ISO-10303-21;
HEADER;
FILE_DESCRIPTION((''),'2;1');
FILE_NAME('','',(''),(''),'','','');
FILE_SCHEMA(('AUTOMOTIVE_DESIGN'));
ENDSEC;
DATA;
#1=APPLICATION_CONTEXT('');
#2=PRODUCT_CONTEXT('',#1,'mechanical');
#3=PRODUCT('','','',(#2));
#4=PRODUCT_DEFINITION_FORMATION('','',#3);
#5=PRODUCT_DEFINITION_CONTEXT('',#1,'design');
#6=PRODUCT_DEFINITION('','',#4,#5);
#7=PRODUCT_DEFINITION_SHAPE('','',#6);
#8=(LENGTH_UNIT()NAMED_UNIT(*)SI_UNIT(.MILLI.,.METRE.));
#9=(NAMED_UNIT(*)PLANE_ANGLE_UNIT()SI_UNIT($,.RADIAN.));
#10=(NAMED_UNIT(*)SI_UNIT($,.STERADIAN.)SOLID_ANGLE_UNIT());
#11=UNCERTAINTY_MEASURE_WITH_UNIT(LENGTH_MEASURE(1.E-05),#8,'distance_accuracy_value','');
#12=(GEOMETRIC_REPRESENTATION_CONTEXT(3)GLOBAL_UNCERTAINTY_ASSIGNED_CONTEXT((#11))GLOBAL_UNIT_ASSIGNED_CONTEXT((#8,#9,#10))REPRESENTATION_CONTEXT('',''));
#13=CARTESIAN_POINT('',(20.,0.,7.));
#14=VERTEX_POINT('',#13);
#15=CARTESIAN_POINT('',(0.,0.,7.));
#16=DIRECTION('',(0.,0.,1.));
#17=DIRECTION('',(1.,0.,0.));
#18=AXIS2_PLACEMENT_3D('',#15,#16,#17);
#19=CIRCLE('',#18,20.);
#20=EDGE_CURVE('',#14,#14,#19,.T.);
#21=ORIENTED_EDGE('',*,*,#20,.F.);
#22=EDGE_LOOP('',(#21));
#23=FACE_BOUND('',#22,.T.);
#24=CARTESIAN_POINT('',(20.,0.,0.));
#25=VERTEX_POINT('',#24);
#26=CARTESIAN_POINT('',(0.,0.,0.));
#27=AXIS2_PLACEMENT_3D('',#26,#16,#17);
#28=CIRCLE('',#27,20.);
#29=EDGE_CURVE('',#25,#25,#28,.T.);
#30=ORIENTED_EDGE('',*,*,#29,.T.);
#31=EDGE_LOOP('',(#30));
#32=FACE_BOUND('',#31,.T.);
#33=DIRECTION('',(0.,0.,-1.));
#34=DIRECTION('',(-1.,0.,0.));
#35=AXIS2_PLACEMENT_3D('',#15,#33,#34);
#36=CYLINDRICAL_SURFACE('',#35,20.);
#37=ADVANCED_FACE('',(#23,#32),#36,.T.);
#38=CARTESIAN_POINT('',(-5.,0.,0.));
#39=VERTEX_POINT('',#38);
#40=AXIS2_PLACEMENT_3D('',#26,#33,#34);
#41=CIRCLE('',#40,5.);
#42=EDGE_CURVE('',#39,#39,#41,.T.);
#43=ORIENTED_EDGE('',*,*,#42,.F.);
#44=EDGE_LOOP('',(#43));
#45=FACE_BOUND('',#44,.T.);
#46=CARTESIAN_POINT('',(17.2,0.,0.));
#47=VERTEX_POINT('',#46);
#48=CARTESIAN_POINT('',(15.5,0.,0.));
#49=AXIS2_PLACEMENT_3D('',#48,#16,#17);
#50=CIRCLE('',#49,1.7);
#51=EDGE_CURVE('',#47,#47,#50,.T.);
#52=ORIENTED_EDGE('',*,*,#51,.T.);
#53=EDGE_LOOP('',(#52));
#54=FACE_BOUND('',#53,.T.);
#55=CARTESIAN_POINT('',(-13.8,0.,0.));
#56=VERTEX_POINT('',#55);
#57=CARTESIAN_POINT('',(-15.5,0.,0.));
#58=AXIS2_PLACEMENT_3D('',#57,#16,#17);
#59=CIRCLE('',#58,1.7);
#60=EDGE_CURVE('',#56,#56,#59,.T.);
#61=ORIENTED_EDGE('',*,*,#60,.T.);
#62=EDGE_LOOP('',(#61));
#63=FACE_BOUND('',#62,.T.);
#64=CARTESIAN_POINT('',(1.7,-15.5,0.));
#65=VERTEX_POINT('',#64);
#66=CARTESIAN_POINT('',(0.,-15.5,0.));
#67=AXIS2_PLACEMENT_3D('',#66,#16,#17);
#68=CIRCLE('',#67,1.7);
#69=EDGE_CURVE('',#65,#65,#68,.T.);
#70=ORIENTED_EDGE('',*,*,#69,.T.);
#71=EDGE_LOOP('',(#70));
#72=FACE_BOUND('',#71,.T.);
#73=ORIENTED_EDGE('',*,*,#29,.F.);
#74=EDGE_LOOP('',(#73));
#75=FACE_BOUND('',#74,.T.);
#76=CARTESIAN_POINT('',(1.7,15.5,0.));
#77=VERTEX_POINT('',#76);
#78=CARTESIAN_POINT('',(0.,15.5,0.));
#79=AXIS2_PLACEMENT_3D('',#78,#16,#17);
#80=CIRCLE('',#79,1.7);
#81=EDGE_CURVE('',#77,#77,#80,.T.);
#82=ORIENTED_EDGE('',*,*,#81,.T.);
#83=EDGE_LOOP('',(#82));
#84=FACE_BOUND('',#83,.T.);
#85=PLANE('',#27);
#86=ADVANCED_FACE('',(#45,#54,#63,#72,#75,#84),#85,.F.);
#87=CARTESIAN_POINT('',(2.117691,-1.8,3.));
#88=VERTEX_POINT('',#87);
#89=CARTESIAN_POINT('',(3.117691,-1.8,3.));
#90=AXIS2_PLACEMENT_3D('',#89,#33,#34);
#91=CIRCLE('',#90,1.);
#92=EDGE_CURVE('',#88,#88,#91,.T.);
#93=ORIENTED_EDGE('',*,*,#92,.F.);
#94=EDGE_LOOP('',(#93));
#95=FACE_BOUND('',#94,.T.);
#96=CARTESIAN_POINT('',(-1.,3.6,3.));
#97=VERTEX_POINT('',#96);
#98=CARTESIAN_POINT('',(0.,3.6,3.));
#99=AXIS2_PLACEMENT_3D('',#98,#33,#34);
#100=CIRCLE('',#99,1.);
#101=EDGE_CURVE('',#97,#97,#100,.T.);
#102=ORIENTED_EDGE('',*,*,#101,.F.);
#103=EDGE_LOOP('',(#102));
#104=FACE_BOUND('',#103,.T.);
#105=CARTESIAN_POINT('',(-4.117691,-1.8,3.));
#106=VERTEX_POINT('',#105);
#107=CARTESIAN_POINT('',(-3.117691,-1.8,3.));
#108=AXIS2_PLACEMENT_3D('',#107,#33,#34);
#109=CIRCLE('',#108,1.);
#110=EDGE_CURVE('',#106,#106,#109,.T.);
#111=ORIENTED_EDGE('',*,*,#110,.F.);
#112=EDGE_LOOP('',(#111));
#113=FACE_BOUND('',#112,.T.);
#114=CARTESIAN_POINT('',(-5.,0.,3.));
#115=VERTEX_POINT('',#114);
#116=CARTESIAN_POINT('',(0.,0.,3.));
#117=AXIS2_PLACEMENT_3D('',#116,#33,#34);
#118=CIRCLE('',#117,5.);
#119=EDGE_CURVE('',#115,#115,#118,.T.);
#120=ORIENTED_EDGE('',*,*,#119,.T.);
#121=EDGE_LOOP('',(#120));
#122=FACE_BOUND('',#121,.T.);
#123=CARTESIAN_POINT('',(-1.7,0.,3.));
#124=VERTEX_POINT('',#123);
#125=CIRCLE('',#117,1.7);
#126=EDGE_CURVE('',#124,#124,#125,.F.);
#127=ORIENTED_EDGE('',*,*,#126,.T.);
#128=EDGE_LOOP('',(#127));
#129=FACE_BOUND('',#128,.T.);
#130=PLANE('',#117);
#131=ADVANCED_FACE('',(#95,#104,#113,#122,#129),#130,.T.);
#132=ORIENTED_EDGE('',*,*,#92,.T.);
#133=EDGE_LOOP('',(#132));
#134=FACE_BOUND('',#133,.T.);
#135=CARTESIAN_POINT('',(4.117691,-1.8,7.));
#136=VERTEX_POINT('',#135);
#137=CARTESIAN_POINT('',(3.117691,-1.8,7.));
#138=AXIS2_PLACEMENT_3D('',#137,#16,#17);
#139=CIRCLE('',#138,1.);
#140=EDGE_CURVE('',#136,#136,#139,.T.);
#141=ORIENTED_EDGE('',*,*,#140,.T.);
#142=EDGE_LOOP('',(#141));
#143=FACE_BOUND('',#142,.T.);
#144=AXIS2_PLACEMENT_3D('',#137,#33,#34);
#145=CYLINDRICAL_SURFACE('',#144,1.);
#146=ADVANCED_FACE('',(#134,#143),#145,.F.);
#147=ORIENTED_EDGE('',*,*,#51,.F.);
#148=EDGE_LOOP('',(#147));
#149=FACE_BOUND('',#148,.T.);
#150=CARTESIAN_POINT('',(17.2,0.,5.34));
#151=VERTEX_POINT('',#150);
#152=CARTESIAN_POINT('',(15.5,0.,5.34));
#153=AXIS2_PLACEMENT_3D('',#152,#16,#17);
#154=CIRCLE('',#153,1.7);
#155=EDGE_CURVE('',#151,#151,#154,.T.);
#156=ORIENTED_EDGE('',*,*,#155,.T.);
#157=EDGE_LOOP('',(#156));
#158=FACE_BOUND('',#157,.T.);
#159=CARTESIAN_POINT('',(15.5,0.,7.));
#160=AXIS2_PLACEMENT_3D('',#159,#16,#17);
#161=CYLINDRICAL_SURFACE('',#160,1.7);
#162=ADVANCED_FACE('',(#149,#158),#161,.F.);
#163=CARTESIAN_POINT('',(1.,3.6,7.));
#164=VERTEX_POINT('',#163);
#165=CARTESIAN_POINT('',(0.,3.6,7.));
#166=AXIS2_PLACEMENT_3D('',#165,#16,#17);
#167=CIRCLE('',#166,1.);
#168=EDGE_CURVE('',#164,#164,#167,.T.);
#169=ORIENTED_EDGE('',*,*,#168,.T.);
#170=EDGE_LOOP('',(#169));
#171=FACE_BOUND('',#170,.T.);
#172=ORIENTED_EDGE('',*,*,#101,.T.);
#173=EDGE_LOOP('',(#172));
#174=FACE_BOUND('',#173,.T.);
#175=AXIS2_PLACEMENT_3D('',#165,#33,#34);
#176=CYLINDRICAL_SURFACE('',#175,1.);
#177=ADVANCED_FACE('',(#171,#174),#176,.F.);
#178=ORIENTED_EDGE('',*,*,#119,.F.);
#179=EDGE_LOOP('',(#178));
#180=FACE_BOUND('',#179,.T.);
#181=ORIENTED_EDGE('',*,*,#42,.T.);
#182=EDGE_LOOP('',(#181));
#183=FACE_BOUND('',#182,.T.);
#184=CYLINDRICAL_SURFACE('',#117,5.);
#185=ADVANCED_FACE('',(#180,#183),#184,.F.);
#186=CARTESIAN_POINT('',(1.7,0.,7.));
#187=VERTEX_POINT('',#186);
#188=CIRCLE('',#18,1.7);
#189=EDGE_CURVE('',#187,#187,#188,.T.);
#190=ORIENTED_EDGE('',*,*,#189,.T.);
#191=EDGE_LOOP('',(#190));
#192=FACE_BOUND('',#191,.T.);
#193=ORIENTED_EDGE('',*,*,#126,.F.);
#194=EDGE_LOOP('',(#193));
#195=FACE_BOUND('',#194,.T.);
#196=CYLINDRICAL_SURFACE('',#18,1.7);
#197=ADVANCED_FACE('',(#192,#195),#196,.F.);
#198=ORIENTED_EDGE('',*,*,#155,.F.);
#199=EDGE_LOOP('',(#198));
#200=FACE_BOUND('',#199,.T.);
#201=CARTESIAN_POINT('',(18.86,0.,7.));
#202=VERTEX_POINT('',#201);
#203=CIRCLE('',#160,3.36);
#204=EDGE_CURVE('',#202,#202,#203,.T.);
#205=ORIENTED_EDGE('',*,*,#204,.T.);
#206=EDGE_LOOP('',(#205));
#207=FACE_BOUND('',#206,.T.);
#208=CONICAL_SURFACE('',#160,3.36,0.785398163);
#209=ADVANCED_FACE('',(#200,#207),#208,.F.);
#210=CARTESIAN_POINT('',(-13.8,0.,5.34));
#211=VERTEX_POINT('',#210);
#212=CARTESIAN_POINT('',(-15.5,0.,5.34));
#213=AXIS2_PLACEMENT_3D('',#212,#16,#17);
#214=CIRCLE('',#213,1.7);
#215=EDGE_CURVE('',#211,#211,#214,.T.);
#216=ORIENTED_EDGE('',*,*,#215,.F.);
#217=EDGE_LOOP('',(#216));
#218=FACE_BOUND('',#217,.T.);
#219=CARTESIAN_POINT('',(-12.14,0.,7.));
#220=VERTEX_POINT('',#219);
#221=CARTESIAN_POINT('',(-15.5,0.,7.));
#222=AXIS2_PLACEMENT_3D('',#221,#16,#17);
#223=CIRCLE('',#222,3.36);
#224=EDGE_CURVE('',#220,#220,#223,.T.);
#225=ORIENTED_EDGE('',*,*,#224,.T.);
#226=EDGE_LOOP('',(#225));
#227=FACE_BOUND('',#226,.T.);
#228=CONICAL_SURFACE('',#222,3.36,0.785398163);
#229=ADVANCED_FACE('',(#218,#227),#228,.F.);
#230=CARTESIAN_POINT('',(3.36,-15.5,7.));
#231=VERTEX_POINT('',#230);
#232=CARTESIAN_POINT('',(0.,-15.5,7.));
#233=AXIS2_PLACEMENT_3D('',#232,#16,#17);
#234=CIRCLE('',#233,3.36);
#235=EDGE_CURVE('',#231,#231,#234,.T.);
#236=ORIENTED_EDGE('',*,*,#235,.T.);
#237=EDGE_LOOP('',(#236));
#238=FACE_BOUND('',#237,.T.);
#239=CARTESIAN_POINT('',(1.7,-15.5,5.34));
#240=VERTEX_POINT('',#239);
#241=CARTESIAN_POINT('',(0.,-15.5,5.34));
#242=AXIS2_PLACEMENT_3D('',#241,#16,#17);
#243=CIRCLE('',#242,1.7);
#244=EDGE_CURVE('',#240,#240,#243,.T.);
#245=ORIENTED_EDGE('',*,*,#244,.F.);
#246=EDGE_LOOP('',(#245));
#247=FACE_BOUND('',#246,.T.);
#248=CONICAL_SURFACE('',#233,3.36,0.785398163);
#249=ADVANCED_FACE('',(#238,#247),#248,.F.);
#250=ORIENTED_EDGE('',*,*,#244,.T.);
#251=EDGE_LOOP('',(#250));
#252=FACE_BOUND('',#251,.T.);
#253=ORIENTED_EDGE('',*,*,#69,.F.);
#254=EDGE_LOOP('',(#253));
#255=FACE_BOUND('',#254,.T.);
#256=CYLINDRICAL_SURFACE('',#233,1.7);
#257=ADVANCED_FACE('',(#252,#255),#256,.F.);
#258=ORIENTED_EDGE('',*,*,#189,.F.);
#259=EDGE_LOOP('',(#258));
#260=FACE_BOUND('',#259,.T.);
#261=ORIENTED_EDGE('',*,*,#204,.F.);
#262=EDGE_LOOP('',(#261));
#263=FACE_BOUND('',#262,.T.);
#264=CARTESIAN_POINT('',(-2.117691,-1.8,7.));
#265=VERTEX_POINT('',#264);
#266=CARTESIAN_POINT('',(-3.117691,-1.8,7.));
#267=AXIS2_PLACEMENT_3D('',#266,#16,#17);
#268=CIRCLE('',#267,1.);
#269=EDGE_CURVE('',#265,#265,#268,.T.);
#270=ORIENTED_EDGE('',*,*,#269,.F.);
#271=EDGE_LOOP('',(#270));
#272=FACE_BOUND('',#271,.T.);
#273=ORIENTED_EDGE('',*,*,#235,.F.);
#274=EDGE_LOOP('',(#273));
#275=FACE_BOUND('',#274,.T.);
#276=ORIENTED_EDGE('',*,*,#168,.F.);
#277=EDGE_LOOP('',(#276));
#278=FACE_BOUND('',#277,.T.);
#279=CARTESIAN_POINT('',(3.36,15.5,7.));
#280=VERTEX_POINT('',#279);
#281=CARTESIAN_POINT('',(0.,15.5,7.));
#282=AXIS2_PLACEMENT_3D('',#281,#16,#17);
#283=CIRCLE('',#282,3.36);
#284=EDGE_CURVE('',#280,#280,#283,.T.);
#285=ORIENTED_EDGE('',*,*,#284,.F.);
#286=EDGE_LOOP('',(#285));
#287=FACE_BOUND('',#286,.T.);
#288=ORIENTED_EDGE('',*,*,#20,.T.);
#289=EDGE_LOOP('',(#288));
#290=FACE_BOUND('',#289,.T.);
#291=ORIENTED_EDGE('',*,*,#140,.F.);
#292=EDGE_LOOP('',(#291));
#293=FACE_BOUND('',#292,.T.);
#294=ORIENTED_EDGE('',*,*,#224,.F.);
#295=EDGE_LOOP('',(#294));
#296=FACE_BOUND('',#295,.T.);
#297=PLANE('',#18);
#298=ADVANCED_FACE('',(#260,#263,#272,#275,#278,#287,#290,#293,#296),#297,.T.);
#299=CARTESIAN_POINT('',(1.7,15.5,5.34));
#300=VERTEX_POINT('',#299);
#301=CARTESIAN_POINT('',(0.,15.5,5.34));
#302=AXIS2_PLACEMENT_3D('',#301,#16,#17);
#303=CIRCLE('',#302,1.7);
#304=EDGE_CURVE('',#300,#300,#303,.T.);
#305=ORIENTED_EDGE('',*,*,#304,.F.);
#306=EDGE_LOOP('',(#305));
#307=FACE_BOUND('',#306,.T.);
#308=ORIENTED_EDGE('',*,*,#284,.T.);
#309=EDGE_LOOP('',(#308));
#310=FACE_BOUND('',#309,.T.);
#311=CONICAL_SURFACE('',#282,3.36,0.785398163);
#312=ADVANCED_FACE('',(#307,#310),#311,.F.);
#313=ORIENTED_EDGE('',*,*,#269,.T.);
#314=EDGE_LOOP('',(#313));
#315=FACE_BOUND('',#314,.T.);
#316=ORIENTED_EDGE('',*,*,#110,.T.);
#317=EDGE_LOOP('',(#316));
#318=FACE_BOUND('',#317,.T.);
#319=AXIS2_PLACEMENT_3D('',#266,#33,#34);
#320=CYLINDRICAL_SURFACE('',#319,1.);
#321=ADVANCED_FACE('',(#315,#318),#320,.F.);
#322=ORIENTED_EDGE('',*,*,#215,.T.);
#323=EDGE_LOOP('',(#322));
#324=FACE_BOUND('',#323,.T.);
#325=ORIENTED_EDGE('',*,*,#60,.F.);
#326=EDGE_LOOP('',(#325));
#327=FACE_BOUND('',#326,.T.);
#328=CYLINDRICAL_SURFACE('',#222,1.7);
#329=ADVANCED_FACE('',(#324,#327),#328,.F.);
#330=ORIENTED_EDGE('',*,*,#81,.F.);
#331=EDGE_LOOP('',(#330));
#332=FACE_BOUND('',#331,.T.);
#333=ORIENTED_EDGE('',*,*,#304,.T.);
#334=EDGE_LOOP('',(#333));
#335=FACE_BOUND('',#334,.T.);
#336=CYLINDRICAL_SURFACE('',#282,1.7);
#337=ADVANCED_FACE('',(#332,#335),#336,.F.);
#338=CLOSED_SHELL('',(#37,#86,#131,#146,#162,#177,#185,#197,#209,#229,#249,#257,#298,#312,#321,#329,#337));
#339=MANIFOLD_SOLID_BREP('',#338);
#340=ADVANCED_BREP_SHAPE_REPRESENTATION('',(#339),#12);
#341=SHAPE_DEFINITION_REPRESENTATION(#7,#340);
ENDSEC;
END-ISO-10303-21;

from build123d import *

# Parameters (mm, degrees)
CROQUIS1_R                                           = 20
CROQUIS1_R_2                                         = 1
SALIENTE_EXTRUIR1_DEPTH                              = 7
REFRENTADO_PARA_TORNILLO_TAP_N_CON_CABEZ_D           = 3.4
REFRENTADO_PARA_TORNILLO_TAP_N_CON_CABEZ_CSINK_D     = 6.72
REFRENTADO_PARA_TORNILLO_TAP_N_CON_CABEZ_CSINK_ANGLE = 90
TALADRO_DE_MARGEN_PARA_M31_D                         = 3.4
CROQUIS8_R                                           = 5
CORTAR_EXTRUIR1_DEPTH                                = 3


with BuildPart() as part:
    # Croquis1 → Saliente-Extruir1 (new body)
    with BuildSketch(Plane.XY):
        Circle(CROQUIS1_R)
        with Locations((0, 3.6)):
            Circle(CROQUIS1_R_2, mode=Mode.SUBTRACT)
        with Locations((3.117691454, -1.8)):
            Circle(CROQUIS1_R_2, mode=Mode.SUBTRACT)
        with Locations((-3.117691454, -1.8)):
            Circle(CROQUIS1_R_2, mode=Mode.SUBTRACT)
    extrude(amount=SALIENTE_EXTRUIR1_DEPTH)

    # Refrentado para tornillo tapón con cabeza plana de clavija de M31 (through all)
    with Locations(Plane.XY.offset(7)):
        with Locations((0, 15.5), (15.5, 0), (0, -15.5), (-15.5, 0)):
            CounterSinkHole(REFRENTADO_PARA_TORNILLO_TAP_N_CON_CABEZ_D / 2, REFRENTADO_PARA_TORNILLO_TAP_N_CON_CABEZ_CSINK_D / 2, counter_sink_angle=REFRENTADO_PARA_TORNILLO_TAP_N_CON_CABEZ_CSINK_ANGLE)

    # Taladro de margen para M31 (through all)
    with Locations(Plane.XY.offset(7)):
        with Locations((0, 0)):
            Hole(TALADRO_DE_MARGEN_PARA_M31_D / 2)

    # Croquis8 → Cortar-Extruir1 (cut)
    with BuildSketch(Plane(origin=(0, 0, 0), x_dir=(-1, 0, 0), z_dir=(0, 0, -1))):
        Circle(CROQUIS8_R)
    extrude(amount=-CORTAR_EXTRUIR1_DEPTH, mode=Mode.SUBTRACT)


solid = part.part
